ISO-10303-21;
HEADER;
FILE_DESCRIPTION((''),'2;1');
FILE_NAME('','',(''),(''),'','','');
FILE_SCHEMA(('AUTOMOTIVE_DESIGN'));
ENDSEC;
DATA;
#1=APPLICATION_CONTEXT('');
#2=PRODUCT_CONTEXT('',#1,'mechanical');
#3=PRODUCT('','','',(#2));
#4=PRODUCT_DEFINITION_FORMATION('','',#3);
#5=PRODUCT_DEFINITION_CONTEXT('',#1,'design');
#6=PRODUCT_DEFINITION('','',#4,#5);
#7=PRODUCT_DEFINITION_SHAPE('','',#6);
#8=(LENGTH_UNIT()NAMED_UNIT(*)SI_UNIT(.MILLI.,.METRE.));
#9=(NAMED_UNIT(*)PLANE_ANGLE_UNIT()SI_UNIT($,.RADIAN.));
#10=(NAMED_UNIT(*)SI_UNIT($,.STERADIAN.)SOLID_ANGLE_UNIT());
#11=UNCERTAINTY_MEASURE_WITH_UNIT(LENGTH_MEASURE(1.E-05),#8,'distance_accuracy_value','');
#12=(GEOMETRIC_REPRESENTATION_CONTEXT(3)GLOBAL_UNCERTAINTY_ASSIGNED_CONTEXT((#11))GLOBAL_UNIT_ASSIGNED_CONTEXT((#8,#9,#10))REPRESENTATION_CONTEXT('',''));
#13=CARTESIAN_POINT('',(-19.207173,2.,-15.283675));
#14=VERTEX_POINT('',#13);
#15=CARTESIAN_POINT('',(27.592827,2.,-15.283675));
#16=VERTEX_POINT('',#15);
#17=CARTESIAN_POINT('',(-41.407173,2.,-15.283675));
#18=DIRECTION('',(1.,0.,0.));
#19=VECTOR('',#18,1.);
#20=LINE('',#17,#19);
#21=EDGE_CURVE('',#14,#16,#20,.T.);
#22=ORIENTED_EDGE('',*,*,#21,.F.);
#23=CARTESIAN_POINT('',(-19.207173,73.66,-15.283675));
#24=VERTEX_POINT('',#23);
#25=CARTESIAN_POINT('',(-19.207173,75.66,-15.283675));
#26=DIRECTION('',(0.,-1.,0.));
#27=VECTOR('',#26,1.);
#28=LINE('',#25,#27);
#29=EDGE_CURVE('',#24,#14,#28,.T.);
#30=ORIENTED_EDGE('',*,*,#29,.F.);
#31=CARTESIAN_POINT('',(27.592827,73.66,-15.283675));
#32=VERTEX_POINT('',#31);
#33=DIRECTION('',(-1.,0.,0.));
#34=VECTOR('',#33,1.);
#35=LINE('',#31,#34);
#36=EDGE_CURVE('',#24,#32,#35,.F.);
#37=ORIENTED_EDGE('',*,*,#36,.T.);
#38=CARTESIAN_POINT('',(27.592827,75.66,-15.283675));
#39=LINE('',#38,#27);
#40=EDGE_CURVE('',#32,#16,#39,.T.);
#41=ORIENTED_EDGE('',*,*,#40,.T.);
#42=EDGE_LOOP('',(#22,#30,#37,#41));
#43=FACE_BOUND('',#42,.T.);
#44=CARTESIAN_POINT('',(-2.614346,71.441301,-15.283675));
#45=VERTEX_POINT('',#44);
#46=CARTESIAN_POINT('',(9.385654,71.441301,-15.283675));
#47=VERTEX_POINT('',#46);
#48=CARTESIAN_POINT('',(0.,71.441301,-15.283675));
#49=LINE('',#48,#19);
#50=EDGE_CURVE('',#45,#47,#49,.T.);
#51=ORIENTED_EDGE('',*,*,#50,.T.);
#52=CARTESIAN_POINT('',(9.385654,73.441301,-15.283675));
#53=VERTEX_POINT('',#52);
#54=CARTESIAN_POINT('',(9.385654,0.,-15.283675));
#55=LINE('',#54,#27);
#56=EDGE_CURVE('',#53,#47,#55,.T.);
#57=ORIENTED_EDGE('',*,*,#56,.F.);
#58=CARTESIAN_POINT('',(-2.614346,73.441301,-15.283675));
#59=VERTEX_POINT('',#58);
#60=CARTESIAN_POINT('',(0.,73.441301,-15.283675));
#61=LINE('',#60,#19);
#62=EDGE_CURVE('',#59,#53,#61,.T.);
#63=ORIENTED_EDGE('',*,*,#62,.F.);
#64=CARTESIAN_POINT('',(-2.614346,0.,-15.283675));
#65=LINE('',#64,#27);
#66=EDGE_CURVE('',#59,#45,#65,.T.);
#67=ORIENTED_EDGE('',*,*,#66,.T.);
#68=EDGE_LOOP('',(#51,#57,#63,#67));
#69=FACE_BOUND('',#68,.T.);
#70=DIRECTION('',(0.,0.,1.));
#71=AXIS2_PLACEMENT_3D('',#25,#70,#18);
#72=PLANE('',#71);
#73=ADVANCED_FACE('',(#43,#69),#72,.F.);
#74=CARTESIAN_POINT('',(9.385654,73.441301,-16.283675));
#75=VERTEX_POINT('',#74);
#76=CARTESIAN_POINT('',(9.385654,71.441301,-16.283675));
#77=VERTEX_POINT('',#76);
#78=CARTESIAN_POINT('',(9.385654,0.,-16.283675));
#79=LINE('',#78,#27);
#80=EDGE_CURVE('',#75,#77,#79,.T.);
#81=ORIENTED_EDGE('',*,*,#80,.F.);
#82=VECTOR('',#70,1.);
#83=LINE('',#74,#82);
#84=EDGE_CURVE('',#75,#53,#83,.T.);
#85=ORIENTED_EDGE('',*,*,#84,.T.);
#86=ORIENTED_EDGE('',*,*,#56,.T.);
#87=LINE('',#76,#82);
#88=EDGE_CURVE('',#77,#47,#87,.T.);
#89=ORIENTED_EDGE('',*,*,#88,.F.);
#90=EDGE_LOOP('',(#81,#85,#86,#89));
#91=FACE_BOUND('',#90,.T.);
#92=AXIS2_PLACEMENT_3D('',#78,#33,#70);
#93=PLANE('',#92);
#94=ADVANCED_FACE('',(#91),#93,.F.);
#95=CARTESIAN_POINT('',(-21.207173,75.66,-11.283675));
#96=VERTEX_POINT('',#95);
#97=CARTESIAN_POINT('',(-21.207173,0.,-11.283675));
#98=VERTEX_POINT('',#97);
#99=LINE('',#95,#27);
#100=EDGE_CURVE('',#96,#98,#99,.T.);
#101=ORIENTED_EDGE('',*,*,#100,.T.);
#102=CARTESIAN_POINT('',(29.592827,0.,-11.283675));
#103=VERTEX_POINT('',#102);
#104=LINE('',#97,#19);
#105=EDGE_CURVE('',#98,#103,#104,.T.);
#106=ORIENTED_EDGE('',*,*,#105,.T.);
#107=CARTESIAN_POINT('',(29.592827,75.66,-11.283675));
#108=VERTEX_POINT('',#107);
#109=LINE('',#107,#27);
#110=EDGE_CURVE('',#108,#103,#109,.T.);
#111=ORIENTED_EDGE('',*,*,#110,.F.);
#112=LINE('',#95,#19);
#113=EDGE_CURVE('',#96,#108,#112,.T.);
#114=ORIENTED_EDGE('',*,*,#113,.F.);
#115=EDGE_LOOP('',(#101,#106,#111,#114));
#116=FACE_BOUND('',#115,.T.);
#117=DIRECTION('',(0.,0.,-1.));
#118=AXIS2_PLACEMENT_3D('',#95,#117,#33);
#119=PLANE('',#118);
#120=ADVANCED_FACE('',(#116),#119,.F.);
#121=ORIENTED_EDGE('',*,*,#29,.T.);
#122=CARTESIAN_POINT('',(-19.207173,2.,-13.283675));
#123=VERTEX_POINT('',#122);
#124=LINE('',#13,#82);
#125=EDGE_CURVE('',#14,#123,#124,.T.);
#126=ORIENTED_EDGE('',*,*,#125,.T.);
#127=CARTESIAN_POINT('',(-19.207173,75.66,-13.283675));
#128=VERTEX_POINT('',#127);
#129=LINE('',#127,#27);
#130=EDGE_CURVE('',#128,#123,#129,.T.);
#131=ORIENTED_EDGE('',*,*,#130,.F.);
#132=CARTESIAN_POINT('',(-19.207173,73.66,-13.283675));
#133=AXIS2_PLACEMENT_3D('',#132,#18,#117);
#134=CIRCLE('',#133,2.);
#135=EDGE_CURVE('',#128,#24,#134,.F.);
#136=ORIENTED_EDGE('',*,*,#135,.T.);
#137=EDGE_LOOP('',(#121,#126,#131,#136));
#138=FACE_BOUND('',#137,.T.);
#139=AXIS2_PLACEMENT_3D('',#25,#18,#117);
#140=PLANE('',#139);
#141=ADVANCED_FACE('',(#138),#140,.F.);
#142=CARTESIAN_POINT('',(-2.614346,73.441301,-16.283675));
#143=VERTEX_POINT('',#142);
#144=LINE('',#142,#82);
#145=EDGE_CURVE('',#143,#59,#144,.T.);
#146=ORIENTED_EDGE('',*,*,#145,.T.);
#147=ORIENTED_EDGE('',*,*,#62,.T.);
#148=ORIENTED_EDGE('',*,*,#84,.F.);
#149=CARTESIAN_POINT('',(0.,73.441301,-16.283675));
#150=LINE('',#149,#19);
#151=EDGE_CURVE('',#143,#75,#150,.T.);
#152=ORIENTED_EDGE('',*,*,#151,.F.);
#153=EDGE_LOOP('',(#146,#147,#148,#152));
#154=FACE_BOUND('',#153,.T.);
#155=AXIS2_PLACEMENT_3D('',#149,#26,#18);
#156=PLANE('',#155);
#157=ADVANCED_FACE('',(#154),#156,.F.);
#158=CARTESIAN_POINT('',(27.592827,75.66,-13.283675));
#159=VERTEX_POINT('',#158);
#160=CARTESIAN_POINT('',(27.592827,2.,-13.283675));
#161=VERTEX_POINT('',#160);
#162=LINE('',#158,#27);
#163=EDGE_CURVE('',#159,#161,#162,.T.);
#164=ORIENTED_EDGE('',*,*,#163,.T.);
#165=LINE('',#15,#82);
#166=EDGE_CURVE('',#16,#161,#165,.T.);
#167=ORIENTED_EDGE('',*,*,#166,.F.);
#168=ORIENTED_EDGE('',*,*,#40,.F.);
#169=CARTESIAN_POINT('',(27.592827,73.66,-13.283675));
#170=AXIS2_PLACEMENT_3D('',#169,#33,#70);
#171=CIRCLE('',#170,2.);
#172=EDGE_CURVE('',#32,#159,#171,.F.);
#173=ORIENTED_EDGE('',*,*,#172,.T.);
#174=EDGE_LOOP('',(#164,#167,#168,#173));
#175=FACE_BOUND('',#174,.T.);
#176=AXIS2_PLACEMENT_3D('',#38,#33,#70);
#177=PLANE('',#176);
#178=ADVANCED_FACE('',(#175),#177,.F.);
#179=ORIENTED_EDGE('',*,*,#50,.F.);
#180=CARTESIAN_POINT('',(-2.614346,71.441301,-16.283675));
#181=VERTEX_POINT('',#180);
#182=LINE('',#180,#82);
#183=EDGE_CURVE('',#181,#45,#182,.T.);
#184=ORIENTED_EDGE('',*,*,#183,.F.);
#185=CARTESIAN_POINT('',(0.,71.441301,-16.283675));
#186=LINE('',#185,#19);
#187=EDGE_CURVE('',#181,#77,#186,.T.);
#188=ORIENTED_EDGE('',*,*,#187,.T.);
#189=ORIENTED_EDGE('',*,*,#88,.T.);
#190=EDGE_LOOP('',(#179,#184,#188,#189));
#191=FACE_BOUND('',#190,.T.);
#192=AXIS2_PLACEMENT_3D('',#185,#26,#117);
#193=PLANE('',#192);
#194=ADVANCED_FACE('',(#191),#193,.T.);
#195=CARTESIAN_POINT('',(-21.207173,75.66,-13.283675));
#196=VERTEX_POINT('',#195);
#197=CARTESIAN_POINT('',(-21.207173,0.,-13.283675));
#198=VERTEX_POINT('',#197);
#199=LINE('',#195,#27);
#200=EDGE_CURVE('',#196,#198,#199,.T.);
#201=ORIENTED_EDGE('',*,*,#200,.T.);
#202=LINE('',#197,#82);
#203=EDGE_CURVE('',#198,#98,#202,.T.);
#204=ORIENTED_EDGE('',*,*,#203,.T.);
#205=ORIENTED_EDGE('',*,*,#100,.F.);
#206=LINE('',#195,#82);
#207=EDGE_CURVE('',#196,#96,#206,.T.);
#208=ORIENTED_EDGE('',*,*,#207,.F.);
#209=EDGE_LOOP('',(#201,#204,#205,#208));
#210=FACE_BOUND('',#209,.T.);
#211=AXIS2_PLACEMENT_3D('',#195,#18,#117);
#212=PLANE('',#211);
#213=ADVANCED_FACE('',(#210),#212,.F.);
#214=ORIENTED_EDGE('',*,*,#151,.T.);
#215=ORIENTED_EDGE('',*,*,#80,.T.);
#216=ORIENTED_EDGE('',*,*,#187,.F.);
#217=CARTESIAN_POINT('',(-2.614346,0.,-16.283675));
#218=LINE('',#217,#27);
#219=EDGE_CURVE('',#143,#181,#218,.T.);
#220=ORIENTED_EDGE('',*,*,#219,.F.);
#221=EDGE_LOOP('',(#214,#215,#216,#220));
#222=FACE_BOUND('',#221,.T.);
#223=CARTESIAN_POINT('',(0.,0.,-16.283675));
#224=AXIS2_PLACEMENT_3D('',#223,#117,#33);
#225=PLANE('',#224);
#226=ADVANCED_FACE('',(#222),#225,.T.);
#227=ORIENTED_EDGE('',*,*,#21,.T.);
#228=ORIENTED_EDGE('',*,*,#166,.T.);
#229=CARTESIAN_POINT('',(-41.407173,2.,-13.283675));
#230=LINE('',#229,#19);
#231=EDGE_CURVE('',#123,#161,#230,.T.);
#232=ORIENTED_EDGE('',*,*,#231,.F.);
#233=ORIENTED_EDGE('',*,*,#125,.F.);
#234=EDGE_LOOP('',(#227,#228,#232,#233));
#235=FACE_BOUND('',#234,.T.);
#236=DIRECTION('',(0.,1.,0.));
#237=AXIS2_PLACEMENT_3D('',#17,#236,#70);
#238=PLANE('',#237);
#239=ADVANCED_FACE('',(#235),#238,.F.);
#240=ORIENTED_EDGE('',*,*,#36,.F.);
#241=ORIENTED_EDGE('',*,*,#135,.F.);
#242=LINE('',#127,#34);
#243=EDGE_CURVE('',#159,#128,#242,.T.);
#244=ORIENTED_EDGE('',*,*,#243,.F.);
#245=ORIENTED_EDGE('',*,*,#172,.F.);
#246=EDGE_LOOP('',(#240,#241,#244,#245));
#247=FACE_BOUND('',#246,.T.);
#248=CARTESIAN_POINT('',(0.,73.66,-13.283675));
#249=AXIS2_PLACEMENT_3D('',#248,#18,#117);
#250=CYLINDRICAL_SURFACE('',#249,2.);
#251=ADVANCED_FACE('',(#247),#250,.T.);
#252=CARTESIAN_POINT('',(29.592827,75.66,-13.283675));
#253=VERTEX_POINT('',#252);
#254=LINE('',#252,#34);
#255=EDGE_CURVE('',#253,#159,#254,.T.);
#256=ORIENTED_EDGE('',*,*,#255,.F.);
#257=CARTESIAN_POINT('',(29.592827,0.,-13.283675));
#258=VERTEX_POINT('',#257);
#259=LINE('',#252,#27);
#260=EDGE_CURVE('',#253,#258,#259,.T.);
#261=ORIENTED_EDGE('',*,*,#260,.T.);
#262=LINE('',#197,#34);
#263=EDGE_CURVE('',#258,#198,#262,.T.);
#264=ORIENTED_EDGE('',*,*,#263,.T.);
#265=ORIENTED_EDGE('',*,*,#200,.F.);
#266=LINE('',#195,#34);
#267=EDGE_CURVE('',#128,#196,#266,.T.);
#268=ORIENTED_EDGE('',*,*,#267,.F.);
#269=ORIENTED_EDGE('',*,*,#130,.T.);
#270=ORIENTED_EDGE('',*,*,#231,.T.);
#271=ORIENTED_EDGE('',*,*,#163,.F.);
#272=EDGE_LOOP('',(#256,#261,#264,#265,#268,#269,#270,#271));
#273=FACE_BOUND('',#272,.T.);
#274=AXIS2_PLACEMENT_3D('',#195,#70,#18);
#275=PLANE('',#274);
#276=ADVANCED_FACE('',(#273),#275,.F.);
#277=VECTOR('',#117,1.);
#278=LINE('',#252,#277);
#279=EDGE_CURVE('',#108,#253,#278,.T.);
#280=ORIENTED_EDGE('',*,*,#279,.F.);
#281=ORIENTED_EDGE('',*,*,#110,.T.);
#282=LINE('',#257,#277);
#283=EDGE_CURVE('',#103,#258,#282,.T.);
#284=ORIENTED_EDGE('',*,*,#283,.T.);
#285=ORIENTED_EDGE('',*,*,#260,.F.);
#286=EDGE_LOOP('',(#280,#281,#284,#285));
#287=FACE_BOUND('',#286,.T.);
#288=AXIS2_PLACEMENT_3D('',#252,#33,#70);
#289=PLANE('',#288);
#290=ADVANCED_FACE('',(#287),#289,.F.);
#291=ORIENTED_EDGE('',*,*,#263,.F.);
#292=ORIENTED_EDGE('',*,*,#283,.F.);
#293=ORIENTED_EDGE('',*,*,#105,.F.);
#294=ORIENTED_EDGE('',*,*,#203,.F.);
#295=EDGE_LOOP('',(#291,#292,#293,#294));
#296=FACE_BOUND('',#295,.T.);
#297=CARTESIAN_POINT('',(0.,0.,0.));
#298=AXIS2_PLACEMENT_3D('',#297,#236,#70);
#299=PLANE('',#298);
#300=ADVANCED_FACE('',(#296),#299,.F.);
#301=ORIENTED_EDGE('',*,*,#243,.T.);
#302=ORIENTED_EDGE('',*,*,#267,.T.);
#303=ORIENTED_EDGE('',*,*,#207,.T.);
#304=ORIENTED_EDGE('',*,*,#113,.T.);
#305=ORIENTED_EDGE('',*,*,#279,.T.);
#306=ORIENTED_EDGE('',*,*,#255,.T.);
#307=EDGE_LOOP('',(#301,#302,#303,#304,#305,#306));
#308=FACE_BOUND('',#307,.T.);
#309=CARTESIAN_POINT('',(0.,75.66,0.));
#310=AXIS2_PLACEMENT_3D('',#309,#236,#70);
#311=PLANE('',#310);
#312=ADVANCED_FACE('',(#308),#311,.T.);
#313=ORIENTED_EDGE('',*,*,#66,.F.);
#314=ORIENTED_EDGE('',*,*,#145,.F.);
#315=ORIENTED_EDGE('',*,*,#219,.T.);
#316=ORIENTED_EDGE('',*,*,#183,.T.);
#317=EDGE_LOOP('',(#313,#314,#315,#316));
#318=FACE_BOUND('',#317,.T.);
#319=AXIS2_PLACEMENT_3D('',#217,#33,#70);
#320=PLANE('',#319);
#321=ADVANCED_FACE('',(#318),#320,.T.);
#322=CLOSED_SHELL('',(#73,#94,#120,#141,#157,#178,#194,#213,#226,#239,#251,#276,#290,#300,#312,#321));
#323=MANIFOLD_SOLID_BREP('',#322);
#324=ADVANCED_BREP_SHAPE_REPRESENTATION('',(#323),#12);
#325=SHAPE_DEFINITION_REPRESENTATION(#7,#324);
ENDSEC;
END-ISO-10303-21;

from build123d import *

# Parameters (mm, degrees)
BOSS_EXTRUDE2_DEPTH = 75.66
SKETCH2_W           = 2
SKETCH2_H           = 2
CUT_EXTRUDE2_DEPTH  = 69
FILLET1_R           = 2
BOSS_EXTRUDE5_DEPTH = 1


with BuildPart() as part:
    # Sketch1 → Boss-Extrude2 (new body)
    with BuildSketch(Plane(origin=(0, 0, 0), x_dir=(1, 0, 0), z_dir=(0, 1, 0))):
        Polygon((-19.20717284, 15.283675177), (27.59282716, 15.283675177), (27.59282716, 13.283675177), (29.59282716, 13.283675177), (29.59282716, 11.283675177), (-21.20717284, 11.283675177), (-21.20717284, 13.283675177), (-19.20717284, 13.283675177), align=None)
    extrude(amount=BOSS_EXTRUDE2_DEPTH)

    # Sketch2 → Cut-Extrude2 (cut)
    with BuildSketch(Plane(origin=(27.59282716, 0, 0), x_dir=(0, 0, -1), z_dir=(1, 0, 0))):
        with Locations((14.283675177, 1)):
            Rectangle(SKETCH2_W, SKETCH2_H)
    extrude(amount=-CUT_EXTRUDE2_DEPTH, mode=Mode.SUBTRACT)

    # Fillet1
    fillet1_edges = [part.edges().sort_by_distance(p)[0] for p in [
        (4.19282716, 75.66, -15.283675177),
    ]]
    fillet(fillet1_edges, radius=FILLET1_R)

    # Sketch3 → Boss-Extrude5 (add)
    with BuildSketch(Plane(origin=(0, 0, -15.283675177), x_dir=(-1, 0, 0), z_dir=(0, 0, -1))):
        Polygon((2.614345679, 73.441300995), (-8.385654321, 73.441300995), (-9.385654321, 73.441300995), (-9.385654321, 71.441300995), (-8.385654321, 71.441300995), (2.614345679, 71.441300995), align=None)
    extrude(amount=BOSS_EXTRUDE5_DEPTH)


solid = part.part
